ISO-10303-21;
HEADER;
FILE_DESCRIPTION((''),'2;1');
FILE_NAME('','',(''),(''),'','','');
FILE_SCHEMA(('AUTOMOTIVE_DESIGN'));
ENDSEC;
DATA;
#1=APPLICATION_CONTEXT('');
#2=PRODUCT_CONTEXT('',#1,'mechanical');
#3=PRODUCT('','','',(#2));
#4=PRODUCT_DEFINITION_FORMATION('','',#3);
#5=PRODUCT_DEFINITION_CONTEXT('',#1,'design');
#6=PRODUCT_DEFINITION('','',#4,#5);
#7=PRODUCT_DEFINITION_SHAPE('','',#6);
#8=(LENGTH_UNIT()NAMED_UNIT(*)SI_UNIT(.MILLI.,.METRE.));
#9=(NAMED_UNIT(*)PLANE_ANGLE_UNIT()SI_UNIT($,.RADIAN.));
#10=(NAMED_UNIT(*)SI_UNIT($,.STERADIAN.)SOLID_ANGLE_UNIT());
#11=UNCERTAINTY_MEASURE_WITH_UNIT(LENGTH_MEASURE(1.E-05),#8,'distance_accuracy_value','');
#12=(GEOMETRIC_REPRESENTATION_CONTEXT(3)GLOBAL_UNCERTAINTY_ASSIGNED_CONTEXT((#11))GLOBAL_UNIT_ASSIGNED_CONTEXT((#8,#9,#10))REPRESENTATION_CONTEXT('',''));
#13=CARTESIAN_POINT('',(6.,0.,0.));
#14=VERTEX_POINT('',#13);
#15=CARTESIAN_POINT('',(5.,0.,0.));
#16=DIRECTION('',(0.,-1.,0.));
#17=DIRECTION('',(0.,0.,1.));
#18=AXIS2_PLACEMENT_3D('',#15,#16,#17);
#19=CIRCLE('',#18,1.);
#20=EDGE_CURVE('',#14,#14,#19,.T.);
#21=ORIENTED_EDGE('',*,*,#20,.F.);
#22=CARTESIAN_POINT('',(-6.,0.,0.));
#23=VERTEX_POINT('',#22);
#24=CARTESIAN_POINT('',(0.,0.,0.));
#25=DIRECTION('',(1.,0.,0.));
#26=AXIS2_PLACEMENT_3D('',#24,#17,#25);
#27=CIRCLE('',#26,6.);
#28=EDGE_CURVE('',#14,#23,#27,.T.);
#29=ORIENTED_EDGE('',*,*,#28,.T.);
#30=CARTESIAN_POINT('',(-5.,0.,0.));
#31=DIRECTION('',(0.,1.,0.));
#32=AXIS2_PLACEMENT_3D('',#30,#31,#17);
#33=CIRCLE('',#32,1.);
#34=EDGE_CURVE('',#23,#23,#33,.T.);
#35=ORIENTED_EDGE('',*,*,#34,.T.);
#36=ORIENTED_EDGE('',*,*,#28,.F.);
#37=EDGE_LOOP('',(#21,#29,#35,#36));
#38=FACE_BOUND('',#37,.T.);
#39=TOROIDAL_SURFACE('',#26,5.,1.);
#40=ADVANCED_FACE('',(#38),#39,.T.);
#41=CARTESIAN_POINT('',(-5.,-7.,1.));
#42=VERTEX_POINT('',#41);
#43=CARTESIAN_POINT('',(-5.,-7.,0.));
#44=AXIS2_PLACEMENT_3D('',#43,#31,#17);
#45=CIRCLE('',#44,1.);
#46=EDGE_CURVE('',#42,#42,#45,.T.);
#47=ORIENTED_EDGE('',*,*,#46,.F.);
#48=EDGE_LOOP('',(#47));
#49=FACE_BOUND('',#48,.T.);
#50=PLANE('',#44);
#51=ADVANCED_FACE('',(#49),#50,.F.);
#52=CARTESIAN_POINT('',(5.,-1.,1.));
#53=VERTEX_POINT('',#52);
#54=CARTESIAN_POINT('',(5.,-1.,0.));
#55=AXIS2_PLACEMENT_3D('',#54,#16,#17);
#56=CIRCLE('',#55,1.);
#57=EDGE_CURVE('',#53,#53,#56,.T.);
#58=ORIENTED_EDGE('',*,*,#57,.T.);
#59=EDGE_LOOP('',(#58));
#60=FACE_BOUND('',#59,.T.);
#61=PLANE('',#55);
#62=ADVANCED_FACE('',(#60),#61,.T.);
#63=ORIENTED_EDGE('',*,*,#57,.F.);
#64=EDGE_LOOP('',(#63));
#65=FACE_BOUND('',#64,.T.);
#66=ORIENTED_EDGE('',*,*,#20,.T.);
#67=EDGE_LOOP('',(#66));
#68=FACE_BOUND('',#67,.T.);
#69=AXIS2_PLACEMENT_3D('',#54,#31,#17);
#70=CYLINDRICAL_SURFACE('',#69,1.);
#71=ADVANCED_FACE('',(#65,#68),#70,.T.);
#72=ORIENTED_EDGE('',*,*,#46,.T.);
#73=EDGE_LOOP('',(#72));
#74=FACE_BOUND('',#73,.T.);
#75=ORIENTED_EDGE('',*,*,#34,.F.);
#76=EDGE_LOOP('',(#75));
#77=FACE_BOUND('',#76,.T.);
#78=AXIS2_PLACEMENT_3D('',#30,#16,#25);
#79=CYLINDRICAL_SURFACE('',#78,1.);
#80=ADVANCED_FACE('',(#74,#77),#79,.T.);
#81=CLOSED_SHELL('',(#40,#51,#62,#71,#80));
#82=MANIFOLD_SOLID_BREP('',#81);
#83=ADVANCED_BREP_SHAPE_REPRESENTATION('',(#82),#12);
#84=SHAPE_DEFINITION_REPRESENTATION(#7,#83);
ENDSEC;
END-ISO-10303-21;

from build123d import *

# Parameters (mm, degrees)
SKETCH2_R = 1


with BuildPart() as part:
    # Sweep1: sweep along a path in Sketch1
    with BuildLine(Plane.XY) as sweep1_path:
        Line((-5, -7), (-5, 0))
        ThreePointArc((-5, 0), (0, 5), (5, 0))
        Line((5, 0), (5, -1))
    # Sketch2 → Sweep1 (sweep)
    with BuildSketch(Plane(origin=(0, -7, 0), x_dir=(1, 0, 0), z_dir=(0, 1, 0))):
        with Locations((-5, 0)):
            Circle(SKETCH2_R)
    sweep(path=sweep1_path.line)


solid = part.part
